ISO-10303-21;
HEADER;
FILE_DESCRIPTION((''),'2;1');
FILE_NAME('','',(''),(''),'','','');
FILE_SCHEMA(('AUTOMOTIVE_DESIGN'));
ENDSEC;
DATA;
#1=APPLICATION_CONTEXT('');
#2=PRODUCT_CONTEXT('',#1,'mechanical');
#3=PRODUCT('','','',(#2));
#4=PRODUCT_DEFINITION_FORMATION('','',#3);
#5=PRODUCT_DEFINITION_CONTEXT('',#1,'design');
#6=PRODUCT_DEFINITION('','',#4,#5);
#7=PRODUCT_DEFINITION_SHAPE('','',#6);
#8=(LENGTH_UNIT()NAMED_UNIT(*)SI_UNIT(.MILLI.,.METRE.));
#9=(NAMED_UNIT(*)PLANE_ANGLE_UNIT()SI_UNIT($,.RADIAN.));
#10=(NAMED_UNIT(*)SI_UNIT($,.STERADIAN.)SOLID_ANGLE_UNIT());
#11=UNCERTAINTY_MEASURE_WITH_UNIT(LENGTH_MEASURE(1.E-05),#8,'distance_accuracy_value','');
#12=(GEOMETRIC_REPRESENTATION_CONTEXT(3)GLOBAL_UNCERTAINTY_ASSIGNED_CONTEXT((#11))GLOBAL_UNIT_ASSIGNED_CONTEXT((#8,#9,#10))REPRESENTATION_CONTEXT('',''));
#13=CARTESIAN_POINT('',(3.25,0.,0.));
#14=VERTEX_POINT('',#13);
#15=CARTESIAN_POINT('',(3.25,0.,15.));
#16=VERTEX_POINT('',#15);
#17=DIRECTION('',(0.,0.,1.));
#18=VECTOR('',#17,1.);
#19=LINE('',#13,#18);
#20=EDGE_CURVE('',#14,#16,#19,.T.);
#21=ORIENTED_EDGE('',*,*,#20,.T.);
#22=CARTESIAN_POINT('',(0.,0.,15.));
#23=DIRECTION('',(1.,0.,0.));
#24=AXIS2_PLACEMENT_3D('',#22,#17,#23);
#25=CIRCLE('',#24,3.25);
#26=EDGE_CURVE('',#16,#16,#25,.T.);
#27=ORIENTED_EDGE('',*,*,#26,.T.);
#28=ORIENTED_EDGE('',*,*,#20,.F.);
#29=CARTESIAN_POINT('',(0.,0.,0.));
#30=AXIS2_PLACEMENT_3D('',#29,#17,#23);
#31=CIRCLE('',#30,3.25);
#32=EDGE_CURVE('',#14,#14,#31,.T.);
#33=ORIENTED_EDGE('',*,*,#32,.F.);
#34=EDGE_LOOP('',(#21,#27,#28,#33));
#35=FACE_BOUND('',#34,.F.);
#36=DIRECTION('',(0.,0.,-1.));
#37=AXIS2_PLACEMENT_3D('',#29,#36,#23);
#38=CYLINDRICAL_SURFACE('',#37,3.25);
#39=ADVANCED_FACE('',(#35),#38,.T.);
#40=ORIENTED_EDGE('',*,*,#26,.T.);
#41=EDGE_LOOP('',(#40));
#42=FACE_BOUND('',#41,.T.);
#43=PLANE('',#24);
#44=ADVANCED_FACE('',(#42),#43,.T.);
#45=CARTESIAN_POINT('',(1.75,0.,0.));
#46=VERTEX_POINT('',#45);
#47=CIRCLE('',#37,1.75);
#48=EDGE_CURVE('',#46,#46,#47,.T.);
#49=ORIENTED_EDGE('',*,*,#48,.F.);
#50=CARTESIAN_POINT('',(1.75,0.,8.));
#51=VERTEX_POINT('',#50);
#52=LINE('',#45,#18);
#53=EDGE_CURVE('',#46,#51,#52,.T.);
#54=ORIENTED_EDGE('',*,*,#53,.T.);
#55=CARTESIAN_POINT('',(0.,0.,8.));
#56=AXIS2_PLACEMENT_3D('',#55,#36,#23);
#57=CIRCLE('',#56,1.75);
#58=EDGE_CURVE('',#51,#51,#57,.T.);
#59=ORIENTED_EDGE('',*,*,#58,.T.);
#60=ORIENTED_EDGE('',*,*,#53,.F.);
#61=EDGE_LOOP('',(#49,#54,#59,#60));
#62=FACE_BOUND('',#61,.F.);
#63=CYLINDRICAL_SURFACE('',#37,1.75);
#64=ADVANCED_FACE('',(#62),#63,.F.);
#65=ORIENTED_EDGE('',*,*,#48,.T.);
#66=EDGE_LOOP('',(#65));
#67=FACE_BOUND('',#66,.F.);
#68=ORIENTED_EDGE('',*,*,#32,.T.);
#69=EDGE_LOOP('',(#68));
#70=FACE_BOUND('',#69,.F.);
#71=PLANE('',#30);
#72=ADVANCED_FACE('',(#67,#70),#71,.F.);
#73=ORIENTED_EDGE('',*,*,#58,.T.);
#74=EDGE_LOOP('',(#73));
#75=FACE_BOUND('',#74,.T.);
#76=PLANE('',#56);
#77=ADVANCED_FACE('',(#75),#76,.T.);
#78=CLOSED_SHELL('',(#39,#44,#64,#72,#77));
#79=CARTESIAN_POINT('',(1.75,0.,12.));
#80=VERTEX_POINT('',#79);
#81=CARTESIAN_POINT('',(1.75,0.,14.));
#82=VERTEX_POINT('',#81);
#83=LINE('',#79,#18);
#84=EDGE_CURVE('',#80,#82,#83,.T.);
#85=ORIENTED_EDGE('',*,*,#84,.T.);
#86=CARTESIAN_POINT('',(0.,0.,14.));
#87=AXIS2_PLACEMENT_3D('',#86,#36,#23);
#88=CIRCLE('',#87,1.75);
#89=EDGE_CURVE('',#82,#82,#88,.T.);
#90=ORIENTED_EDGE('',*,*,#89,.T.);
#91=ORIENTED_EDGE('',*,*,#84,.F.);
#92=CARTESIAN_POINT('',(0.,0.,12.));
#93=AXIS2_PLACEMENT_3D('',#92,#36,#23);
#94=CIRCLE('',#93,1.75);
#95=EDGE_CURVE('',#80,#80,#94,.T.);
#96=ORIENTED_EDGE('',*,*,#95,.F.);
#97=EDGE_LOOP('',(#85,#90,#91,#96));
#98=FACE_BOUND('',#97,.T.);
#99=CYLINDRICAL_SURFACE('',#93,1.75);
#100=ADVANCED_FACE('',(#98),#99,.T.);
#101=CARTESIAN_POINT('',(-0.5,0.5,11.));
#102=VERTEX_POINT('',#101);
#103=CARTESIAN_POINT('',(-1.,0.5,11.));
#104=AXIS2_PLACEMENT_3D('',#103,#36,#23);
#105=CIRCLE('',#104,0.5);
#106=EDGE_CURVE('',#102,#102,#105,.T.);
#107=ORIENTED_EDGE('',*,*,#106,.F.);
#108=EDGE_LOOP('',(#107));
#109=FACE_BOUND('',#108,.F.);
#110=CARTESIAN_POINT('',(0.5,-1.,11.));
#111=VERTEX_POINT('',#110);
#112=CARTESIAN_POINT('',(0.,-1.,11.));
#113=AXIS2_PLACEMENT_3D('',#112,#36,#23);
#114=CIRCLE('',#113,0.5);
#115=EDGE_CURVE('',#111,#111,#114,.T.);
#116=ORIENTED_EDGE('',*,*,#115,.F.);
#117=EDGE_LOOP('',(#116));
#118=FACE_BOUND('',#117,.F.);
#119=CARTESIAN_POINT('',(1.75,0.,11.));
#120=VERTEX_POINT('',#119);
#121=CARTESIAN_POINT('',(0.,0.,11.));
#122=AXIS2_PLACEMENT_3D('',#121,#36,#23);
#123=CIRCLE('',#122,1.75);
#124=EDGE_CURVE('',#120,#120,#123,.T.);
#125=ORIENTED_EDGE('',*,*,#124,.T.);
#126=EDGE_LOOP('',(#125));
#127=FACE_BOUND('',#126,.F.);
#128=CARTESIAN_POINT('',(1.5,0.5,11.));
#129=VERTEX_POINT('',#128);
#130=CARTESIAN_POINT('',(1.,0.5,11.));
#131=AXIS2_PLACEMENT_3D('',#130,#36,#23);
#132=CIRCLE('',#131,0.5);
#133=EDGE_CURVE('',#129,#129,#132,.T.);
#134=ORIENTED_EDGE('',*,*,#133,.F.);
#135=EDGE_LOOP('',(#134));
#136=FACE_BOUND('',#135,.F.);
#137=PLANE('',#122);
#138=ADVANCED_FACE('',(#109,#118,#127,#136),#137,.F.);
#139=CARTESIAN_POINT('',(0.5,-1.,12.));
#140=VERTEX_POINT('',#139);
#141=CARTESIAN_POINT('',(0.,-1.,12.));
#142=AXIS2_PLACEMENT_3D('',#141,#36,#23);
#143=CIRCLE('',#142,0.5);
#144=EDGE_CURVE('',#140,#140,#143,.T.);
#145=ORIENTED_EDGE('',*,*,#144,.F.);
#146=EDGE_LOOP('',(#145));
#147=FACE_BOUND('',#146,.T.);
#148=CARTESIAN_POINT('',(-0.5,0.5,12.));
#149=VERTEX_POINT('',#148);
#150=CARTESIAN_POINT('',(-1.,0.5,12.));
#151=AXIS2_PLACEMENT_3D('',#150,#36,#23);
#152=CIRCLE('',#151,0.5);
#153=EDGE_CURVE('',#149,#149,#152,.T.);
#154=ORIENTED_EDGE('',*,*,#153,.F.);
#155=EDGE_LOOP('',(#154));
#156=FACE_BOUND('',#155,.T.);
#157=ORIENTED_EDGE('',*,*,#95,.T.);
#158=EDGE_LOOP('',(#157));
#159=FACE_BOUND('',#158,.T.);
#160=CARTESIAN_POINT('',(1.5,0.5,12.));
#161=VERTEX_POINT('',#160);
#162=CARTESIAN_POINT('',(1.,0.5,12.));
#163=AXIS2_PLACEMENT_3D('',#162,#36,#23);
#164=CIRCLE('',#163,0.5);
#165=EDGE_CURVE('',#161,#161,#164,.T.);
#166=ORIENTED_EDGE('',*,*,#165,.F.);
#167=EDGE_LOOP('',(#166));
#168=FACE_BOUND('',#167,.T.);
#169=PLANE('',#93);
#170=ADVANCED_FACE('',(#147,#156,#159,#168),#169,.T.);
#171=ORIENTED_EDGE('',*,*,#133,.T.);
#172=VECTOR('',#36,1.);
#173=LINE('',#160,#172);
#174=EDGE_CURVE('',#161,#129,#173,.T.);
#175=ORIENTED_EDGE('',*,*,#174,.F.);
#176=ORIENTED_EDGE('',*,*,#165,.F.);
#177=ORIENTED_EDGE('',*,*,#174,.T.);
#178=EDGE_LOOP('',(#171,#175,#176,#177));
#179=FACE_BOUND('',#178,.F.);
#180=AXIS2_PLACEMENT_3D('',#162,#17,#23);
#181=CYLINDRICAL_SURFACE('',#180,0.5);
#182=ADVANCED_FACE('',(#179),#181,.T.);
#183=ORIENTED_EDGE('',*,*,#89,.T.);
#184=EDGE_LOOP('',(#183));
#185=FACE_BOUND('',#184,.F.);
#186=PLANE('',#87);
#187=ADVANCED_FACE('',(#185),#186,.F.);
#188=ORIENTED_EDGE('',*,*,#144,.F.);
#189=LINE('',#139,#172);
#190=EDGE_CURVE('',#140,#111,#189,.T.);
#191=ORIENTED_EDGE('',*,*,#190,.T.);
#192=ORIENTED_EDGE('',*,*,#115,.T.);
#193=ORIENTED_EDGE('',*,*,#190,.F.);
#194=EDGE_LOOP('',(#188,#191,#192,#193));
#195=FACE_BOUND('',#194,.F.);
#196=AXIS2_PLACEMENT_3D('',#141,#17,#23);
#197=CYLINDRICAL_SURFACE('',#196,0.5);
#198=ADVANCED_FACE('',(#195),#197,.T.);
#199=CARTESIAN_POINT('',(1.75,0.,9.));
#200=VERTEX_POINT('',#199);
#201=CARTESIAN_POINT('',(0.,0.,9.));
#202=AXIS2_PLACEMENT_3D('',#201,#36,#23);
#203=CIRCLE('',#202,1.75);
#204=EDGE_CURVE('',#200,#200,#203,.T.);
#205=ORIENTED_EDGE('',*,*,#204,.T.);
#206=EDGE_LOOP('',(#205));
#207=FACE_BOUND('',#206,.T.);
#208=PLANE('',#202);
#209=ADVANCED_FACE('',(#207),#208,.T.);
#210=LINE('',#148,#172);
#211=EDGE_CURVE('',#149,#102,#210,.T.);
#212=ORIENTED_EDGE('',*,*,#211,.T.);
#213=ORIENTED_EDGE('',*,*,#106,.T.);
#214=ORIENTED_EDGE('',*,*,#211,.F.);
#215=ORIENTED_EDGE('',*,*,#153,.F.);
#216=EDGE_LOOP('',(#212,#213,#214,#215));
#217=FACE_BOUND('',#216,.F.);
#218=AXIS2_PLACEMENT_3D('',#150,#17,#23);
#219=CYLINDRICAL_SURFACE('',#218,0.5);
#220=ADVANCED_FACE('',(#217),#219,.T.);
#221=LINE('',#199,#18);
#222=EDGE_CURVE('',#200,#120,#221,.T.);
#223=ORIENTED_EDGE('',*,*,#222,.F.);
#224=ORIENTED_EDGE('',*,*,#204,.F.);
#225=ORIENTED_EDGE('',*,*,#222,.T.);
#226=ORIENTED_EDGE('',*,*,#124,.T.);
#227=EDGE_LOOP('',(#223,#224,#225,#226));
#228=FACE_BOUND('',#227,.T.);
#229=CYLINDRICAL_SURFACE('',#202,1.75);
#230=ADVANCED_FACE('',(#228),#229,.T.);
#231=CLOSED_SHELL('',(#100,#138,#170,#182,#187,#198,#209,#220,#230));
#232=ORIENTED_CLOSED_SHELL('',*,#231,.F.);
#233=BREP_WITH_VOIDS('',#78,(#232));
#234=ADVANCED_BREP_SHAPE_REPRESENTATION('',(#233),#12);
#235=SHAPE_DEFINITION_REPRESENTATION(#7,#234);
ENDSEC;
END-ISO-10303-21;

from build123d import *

# Parameters (mm, degrees)
F0_R      = 3.25
F1_DEPTH  = 15
F2_R      = 1.75
F3_DEPTH  = 8
F5_R      = 1.75
F6_DEPTH  = 2
F8_R      = 1.75
F9_DEPTH  = 2
F10_R     = 0.5
F11_DEPTH = 1


with BuildPart() as f1:
    # F0 (on Top) → F1 (new body)
    with BuildSketch(Plane.XY):
        Circle(F0_R)
    extrude(amount=F1_DEPTH)

    # F2 (on face) → F3 (cut)
    with BuildSketch(Plane(origin=(0, 0, 0), x_dir=(1, 0, 0), z_dir=(0, 0, -1))):
        Circle(F2_R)
    extrude(amount=-F3_DEPTH, mode=Mode.SUBTRACT)

    # F5 (on offset) → F6 (cut)
    with BuildSketch(Plane(origin=(0, 0, 9), x_dir=(1, 0, 0), z_dir=(0, 0, -1))):
        Circle(F5_R)
    extrude(amount=-F6_DEPTH, mode=Mode.SUBTRACT)

    # F8 (on offset) → F9 (cut)
    with BuildSketch(Plane(origin=(0, 0, 12), x_dir=(1, 0, 0), z_dir=(0, 0, -1))):
        Circle(F8_R)
    extrude(amount=-F9_DEPTH, mode=Mode.SUBTRACT)

    # F10 (on offset) → F11 (cut)
    with BuildSketch(Plane(origin=(0, 0, 12), x_dir=(1, 0, 0), z_dir=(0, 0, -1))):
        with Locations((-1, -0.5)):
            Circle(F10_R)
        with Locations((1, -0.5)):
            Circle(F10_R)
        with Locations((0, 1)):
            Circle(F10_R)
    extrude(amount=F11_DEPTH, mode=Mode.SUBTRACT)


solid = f1.part
